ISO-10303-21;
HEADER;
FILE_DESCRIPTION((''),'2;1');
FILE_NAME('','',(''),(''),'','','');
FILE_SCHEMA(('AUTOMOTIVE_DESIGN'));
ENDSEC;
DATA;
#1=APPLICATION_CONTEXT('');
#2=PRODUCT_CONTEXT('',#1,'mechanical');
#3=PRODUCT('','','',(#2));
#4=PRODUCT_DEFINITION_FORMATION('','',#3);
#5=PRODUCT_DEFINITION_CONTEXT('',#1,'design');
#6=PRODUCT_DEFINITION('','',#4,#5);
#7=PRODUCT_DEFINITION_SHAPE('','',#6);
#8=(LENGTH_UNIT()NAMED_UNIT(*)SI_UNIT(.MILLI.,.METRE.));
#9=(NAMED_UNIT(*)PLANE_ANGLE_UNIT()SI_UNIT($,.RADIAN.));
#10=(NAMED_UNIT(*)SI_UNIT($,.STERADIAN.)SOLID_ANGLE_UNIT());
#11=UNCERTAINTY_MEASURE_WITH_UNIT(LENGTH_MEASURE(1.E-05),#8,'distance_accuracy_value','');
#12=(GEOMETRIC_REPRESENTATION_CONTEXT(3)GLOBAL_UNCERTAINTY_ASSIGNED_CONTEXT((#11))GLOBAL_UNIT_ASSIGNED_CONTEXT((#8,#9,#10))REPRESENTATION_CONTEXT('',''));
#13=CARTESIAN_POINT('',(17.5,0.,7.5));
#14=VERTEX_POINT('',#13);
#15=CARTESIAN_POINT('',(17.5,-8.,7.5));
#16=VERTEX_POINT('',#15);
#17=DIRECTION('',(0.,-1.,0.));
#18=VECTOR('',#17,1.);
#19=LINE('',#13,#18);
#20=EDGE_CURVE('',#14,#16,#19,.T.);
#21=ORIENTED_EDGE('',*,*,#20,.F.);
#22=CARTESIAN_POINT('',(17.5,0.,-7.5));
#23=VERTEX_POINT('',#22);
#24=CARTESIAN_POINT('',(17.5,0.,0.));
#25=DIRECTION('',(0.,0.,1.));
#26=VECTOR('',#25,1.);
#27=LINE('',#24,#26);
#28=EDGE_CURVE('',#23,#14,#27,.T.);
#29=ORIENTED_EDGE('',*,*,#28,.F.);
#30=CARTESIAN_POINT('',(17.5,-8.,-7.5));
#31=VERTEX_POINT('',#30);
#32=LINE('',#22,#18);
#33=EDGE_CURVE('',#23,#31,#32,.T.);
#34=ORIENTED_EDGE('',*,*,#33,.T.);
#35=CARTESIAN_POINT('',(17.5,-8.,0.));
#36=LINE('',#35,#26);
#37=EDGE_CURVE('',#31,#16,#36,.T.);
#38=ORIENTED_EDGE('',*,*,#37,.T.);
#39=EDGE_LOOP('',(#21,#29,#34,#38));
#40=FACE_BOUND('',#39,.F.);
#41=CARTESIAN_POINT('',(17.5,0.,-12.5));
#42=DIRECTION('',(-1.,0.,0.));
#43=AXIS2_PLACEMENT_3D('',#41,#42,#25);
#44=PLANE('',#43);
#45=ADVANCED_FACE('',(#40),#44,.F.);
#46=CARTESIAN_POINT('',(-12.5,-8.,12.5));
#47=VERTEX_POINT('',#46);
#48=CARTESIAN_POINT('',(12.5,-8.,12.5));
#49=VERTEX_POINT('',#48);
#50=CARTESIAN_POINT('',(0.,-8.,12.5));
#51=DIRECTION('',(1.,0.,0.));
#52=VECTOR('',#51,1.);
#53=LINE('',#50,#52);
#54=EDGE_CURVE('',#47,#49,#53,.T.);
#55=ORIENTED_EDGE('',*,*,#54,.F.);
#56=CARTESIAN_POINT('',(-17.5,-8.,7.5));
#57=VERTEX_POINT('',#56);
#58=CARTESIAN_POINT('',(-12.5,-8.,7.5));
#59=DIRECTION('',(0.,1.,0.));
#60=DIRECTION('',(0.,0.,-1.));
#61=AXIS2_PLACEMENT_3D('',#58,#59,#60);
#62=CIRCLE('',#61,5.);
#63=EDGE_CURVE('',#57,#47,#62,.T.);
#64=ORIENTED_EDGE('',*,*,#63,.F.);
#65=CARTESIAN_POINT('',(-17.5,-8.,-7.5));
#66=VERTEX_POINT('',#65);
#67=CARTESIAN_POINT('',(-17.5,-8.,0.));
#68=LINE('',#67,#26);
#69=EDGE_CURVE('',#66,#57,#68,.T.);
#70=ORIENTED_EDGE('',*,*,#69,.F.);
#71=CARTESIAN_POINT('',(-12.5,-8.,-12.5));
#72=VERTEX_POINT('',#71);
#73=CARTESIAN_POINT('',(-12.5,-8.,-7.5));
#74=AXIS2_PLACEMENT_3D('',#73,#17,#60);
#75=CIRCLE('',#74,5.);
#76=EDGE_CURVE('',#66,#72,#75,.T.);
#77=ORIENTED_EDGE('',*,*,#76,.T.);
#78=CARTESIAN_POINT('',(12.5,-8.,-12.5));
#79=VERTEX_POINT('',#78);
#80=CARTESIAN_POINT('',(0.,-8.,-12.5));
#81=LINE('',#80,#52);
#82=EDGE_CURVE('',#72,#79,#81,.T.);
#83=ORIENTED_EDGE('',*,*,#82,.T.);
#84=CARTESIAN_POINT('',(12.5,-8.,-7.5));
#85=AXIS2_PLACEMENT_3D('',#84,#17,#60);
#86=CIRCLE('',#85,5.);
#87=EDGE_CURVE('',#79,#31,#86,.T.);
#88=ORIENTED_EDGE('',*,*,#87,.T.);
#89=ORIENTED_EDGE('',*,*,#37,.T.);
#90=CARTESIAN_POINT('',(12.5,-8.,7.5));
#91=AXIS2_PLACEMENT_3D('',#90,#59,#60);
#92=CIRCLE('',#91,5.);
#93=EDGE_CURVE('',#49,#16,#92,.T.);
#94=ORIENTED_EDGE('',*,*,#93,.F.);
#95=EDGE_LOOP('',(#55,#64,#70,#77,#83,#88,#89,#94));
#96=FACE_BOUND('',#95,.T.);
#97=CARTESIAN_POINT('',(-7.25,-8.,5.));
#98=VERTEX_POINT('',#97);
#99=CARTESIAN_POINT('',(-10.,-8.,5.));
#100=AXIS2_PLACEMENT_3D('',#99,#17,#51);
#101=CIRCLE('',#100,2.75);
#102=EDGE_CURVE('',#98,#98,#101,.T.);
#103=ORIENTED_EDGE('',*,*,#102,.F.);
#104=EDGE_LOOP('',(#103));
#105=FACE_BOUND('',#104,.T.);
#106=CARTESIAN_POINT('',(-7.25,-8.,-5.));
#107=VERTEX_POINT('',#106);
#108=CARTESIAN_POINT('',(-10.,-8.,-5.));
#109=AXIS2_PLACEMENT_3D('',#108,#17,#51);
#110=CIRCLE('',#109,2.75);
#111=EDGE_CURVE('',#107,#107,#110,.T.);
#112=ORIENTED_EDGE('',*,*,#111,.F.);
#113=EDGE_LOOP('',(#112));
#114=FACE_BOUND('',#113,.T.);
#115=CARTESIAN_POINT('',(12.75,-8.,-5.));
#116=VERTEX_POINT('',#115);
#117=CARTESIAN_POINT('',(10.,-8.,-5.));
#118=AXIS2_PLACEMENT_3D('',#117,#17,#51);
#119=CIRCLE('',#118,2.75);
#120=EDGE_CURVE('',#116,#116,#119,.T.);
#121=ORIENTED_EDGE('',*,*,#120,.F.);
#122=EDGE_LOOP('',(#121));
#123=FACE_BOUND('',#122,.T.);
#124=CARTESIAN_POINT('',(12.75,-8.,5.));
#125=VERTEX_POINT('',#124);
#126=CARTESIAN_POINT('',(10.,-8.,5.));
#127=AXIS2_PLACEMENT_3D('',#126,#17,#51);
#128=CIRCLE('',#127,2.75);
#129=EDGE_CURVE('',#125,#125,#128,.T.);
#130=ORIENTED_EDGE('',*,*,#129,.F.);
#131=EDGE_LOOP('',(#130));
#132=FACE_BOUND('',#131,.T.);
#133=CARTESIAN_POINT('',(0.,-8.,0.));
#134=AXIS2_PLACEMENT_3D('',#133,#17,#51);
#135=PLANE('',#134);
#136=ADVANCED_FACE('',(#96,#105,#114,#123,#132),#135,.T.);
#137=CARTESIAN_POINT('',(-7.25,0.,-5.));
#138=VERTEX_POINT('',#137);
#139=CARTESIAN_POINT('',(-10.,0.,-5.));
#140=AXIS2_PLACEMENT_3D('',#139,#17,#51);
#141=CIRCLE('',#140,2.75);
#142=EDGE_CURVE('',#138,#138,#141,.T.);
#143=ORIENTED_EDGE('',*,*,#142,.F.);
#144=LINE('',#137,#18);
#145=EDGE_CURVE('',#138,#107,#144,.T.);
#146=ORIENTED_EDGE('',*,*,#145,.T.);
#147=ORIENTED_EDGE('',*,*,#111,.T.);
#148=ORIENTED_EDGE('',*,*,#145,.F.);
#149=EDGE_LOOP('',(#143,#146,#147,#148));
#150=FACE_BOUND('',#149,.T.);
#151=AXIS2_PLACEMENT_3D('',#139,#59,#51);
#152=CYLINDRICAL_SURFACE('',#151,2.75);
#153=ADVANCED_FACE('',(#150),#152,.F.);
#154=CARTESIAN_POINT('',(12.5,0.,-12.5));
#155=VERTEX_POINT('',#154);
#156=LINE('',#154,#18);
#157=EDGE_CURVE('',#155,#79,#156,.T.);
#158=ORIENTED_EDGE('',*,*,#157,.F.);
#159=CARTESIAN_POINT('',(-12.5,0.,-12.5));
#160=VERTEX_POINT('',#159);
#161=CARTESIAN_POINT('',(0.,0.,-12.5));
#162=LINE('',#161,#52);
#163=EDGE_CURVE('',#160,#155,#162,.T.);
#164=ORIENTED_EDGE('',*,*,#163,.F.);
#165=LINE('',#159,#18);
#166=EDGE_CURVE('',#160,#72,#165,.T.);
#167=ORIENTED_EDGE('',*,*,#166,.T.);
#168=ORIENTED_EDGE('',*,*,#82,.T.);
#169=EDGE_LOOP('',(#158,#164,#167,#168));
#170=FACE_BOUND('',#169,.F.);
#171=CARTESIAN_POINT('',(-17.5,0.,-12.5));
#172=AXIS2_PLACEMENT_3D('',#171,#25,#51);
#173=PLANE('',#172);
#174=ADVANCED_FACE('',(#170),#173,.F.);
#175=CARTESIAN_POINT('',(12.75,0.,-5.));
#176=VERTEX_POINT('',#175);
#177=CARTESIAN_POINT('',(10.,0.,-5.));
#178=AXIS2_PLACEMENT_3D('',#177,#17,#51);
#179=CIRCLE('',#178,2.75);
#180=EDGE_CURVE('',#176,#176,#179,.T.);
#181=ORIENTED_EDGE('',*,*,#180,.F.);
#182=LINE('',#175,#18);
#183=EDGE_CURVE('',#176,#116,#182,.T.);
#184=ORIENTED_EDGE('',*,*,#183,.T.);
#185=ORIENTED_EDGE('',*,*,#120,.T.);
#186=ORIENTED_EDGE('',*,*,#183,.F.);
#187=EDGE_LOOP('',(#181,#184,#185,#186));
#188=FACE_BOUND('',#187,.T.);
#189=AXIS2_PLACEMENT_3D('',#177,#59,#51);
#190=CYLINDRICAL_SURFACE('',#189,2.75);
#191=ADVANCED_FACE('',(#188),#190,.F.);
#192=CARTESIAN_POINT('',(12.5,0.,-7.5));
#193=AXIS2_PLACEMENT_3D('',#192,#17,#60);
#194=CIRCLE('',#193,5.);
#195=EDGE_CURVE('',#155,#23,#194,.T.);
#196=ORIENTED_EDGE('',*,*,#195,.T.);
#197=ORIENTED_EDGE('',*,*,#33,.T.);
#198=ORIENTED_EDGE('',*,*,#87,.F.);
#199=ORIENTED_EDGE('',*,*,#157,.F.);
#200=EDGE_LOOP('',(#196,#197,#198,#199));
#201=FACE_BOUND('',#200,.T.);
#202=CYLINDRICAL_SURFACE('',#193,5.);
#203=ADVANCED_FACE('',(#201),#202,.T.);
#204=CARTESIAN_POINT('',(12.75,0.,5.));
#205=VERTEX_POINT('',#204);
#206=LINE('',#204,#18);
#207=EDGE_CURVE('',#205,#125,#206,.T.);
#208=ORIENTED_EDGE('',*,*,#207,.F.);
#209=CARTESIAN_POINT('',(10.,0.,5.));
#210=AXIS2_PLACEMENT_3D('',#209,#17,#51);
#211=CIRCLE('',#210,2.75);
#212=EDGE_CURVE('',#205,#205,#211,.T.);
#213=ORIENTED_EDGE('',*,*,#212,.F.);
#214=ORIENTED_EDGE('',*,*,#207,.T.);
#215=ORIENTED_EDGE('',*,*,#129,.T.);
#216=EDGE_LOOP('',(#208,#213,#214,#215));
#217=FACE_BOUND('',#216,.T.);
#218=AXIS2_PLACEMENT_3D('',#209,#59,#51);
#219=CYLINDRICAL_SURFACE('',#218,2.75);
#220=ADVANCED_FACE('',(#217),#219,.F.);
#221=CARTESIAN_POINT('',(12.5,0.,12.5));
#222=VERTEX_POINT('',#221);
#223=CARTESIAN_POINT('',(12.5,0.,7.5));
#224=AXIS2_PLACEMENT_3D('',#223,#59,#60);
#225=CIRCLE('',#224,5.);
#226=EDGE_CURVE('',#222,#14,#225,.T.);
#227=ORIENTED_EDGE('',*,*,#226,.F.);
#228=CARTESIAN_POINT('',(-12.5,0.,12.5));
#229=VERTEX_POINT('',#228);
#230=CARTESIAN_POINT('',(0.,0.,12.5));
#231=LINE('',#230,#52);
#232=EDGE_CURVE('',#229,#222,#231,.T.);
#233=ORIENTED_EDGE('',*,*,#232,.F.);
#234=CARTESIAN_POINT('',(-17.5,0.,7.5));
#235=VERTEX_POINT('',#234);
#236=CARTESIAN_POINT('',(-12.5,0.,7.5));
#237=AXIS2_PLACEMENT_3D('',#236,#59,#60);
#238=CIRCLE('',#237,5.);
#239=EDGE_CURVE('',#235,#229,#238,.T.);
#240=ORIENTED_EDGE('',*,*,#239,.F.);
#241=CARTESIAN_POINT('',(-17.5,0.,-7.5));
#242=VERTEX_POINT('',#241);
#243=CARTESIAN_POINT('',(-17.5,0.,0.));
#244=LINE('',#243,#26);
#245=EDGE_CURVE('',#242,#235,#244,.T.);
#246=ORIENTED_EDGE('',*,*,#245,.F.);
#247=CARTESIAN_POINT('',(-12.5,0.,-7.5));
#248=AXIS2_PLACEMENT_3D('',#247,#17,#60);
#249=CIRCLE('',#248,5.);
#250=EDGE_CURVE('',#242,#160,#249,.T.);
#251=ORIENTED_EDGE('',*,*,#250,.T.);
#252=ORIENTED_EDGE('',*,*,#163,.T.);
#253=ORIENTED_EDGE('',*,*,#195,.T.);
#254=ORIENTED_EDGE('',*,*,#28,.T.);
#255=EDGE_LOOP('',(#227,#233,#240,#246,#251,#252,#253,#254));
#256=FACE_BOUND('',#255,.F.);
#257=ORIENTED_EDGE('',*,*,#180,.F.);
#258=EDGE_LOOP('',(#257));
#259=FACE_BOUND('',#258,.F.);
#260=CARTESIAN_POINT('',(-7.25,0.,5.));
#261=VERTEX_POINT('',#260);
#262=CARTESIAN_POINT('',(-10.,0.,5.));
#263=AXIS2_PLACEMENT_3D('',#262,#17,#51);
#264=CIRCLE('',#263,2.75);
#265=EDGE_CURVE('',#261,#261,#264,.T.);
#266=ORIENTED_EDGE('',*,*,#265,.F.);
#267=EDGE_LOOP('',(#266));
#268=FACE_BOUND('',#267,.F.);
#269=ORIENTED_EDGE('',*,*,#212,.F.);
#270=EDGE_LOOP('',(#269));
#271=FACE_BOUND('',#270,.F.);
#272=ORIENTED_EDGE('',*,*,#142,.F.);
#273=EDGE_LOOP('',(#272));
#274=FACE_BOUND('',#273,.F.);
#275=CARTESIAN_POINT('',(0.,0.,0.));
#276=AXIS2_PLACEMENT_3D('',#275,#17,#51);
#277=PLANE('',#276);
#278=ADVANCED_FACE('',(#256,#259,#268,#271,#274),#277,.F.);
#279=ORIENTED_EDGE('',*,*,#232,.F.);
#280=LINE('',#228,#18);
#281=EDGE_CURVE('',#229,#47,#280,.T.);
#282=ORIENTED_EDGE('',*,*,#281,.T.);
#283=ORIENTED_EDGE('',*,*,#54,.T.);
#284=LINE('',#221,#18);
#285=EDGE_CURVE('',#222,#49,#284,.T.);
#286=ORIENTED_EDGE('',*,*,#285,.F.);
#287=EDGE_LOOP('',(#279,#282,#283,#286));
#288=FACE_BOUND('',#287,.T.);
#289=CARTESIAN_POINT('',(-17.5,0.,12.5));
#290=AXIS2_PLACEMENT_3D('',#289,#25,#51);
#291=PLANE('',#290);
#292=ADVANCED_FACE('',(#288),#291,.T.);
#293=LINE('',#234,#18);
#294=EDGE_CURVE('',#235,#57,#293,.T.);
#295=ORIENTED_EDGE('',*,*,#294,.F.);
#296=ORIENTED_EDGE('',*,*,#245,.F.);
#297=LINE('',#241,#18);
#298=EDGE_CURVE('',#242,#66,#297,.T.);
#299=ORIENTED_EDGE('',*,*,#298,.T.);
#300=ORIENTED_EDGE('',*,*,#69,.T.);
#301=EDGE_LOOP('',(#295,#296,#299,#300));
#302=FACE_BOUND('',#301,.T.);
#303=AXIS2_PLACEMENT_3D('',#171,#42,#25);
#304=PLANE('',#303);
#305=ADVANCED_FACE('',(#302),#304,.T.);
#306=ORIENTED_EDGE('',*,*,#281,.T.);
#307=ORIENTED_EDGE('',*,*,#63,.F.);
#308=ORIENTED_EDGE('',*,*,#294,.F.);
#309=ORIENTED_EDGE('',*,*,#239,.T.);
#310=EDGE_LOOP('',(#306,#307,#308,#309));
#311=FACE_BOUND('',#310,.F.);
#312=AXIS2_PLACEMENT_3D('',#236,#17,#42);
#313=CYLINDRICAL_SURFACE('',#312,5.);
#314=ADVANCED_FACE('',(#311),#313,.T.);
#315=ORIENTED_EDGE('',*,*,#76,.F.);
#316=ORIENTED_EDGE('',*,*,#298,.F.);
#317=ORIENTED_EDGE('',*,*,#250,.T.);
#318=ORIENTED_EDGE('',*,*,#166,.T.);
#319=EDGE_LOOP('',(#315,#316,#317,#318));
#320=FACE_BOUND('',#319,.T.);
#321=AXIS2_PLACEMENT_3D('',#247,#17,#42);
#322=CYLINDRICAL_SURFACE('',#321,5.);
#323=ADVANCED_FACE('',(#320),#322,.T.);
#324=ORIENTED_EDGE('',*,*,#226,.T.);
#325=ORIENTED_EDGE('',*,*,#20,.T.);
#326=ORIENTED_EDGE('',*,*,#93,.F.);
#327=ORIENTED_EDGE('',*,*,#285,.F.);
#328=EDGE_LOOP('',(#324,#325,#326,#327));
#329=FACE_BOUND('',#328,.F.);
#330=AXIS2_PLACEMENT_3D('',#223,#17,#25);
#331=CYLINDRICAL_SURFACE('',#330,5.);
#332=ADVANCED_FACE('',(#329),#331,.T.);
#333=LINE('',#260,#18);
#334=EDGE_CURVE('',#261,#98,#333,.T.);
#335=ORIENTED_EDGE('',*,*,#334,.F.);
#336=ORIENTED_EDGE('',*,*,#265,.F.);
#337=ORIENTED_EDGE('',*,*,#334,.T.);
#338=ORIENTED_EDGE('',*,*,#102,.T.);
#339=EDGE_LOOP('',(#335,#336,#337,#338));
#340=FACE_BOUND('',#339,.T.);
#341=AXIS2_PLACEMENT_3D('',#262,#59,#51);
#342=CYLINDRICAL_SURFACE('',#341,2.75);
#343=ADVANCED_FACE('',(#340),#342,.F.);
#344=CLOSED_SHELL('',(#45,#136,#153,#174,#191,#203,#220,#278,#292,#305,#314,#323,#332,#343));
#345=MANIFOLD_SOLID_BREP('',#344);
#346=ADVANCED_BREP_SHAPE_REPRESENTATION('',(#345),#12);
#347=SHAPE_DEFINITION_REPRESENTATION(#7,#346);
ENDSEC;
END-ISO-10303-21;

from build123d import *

# Parameters (mm, degrees)
F0_W     = 35
F0_H     = 25
F0_R     = 2.75
F1_DEPTH = 8
F2_R     = 5


with BuildPart() as f1:
    # F0 (on Front) → F1 (new body)
    with BuildSketch(Plane.XZ):
        Rectangle(F0_W, F0_H)
        with Locations((-10, -5)):
            Circle(F0_R, mode=Mode.SUBTRACT)
        with Locations((10, -5)):
            Circle(F0_R, mode=Mode.SUBTRACT)
        with Locations((-10, 5)):
            Circle(F0_R, mode=Mode.SUBTRACT)
        with Locations((10, 5)):
            Circle(F0_R, mode=Mode.SUBTRACT)
    extrude(amount=F1_DEPTH)

    # F2
    f2_edges = [f1.edges().sort_by_distance(p)[0] for p in [
        (17.5, -4, -12.5),
        (17.5, -4, 12.5),
        (-17.5, -4, -12.5),
        (-17.5, -4, 12.5),
    ]]
    fillet(f2_edges, radius=F2_R)


solid = f1.part
